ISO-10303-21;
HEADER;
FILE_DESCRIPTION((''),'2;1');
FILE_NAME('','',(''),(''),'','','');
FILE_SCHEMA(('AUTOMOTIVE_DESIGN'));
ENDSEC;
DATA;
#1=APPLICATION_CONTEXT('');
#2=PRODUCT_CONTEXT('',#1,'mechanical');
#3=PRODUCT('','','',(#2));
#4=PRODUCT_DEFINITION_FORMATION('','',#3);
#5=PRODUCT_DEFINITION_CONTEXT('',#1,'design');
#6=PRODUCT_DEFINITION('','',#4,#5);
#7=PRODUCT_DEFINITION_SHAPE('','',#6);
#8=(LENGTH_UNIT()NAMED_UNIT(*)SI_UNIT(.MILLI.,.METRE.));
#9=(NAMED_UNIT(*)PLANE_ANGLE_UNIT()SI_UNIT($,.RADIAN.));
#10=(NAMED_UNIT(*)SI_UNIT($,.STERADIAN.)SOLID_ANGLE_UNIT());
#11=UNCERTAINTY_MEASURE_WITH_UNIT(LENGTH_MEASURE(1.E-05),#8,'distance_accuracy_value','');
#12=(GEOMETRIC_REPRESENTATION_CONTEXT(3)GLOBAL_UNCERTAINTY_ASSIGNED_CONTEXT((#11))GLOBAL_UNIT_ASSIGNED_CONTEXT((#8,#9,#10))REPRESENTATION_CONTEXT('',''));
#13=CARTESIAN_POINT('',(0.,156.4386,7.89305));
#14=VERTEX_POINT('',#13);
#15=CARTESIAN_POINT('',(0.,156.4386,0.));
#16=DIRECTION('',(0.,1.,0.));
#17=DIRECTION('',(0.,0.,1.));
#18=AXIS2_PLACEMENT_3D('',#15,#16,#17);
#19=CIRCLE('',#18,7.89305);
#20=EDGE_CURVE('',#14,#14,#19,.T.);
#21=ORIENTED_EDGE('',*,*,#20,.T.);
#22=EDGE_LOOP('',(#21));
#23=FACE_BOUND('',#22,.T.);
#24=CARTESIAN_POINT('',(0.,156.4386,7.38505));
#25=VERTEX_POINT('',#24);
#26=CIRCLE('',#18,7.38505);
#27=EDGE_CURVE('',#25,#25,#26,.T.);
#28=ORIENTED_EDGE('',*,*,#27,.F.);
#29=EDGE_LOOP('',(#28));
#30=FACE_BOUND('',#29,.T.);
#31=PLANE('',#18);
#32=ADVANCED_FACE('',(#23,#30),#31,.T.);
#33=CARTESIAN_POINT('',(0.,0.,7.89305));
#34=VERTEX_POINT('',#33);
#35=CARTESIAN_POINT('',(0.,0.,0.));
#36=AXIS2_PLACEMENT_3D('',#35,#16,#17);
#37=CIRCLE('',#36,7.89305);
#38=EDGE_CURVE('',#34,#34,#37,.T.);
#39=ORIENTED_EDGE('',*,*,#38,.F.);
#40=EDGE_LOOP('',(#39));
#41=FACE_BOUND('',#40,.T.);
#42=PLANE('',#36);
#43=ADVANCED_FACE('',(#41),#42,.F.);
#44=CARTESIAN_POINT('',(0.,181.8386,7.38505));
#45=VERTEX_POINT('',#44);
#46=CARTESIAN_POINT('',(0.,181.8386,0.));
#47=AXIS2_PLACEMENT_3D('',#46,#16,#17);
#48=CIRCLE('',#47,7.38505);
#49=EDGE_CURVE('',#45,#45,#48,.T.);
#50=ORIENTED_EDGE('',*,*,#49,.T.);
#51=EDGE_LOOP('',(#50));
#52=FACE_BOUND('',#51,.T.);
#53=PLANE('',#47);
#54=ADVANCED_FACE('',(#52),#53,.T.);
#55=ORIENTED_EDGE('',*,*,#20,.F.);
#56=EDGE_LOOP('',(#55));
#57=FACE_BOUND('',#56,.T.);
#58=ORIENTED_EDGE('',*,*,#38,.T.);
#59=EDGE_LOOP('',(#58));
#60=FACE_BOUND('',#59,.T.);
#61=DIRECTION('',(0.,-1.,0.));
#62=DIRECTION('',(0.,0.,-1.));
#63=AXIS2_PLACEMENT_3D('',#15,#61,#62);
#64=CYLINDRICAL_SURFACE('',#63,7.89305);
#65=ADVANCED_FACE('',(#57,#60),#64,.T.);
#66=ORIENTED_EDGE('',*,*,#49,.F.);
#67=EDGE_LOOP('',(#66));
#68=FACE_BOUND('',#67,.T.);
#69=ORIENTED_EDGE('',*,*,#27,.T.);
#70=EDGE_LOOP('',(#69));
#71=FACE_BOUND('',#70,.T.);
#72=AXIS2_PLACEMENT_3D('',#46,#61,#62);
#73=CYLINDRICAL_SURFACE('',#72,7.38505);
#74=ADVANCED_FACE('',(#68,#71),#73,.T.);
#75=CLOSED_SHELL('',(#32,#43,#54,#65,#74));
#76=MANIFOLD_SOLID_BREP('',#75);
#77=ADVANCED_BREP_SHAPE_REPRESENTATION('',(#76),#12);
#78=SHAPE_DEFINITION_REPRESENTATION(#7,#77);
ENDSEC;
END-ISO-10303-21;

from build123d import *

# Parameters (mm, degrees)
SKETCH1_R           = 7.89305
BOSS_EXTRUDE1_DEPTH = 156.4386
SKETCH2_R           = 7.38505
BOSS_EXTRUDE2_DEPTH = 25.4


with BuildPart() as part:
    # Sketch1 → Boss-Extrude1 (new body)
    with BuildSketch(Plane(origin=(0, 0, 0), x_dir=(1, 0, 0), z_dir=(0, 1, 0))):
        with Locations(Location((0, 0, 0), (0, 0, 270))):
            Circle(SKETCH1_R)
    extrude(amount=BOSS_EXTRUDE1_DEPTH)

    # Sketch2 → Boss-Extrude2 (add)
    with BuildSketch(Plane(origin=(0, 156.4386, 0), x_dir=(1, 0, 0), z_dir=(0, 1, 0))):
        with Locations(Location((0, 0, 0), (0, 0, 270))):
            Circle(SKETCH2_R)
    extrude(amount=BOSS_EXTRUDE2_DEPTH)


solid = part.part
